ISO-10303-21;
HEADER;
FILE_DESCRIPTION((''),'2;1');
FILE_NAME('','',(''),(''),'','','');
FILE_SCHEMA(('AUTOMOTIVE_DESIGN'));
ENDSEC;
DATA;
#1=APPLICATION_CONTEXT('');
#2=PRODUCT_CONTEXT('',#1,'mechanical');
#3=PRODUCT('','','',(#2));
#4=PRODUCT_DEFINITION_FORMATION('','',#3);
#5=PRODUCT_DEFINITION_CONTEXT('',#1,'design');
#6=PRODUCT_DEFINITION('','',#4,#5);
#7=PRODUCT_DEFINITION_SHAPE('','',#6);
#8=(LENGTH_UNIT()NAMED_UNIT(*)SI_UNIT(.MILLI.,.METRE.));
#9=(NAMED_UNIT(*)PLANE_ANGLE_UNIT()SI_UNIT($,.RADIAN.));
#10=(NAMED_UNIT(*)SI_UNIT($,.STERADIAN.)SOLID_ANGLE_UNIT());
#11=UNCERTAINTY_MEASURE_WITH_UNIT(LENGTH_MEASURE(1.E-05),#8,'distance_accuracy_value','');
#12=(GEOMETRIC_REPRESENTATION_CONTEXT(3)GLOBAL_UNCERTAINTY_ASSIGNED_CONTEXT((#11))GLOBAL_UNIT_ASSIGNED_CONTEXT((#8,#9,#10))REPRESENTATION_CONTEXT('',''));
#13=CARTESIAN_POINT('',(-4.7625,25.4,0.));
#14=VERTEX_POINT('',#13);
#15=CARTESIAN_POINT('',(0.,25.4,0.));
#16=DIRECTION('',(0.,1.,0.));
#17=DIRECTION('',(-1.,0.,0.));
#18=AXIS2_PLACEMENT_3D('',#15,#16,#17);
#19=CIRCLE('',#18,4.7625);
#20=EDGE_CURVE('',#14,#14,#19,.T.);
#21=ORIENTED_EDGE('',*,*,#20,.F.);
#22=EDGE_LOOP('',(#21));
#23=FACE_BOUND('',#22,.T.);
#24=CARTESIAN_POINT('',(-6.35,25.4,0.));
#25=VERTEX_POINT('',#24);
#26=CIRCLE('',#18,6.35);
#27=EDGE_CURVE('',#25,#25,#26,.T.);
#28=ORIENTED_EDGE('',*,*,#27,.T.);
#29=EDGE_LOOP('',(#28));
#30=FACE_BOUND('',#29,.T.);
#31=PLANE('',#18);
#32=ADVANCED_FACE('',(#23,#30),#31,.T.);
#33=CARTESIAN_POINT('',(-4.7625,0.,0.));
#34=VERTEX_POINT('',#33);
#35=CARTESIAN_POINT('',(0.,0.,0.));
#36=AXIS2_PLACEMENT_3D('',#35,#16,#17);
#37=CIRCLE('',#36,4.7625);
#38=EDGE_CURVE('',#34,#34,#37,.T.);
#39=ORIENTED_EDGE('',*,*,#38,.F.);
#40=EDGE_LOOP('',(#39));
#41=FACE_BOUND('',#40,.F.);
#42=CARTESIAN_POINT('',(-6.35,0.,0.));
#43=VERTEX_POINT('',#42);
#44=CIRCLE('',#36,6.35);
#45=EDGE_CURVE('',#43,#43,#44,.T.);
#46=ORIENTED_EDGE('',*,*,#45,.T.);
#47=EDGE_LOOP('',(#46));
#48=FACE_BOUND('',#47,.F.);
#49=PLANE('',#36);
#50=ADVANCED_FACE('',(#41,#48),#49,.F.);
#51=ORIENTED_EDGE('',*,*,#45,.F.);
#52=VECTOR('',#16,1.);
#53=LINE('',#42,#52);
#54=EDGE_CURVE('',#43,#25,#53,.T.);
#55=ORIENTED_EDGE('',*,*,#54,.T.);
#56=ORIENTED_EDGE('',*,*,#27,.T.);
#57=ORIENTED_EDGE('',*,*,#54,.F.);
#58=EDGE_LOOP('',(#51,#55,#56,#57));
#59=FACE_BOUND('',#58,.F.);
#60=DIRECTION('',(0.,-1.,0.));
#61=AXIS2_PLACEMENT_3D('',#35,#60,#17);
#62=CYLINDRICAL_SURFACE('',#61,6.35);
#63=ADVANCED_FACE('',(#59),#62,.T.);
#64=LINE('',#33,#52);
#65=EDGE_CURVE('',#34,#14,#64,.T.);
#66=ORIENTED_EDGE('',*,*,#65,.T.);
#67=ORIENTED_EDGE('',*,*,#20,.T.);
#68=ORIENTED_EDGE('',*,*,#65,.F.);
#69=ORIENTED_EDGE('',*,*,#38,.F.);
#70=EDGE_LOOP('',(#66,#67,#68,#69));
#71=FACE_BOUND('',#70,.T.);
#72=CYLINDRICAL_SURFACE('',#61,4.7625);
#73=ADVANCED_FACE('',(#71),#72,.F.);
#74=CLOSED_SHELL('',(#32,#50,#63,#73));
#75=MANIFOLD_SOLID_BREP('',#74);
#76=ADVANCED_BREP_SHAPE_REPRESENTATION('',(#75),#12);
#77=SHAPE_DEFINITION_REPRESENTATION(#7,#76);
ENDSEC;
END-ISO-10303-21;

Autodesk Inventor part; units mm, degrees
ref_plane "YZ Plane" through (0, 0, 0) normal (1, 0, 0) x (0, 1, 0)
ref_plane "XZ Plane" through (0, 0, 0) normal (0, 1, 0) x (-1, 0, 0)
ref_plane "XY Plane" through (0, 0, 0) normal (0, 0, 1) x (1, 0, 0)
sketch "Sketch1" plane through (0, 0, 0) normal (0, 1, 0) x (-1, 0, 0)
  circle A0 centre (0, 0) radius 4.7625
  circle A1 centre (0, 0) radius 6.35
  dimension "d0" = 9.525
  dimension "d1" = 12.7
extrude "Extrusion1" add sketch "Sketch1" along normal blind 25.4
properties part number "0.375x1.0in Spacer"
